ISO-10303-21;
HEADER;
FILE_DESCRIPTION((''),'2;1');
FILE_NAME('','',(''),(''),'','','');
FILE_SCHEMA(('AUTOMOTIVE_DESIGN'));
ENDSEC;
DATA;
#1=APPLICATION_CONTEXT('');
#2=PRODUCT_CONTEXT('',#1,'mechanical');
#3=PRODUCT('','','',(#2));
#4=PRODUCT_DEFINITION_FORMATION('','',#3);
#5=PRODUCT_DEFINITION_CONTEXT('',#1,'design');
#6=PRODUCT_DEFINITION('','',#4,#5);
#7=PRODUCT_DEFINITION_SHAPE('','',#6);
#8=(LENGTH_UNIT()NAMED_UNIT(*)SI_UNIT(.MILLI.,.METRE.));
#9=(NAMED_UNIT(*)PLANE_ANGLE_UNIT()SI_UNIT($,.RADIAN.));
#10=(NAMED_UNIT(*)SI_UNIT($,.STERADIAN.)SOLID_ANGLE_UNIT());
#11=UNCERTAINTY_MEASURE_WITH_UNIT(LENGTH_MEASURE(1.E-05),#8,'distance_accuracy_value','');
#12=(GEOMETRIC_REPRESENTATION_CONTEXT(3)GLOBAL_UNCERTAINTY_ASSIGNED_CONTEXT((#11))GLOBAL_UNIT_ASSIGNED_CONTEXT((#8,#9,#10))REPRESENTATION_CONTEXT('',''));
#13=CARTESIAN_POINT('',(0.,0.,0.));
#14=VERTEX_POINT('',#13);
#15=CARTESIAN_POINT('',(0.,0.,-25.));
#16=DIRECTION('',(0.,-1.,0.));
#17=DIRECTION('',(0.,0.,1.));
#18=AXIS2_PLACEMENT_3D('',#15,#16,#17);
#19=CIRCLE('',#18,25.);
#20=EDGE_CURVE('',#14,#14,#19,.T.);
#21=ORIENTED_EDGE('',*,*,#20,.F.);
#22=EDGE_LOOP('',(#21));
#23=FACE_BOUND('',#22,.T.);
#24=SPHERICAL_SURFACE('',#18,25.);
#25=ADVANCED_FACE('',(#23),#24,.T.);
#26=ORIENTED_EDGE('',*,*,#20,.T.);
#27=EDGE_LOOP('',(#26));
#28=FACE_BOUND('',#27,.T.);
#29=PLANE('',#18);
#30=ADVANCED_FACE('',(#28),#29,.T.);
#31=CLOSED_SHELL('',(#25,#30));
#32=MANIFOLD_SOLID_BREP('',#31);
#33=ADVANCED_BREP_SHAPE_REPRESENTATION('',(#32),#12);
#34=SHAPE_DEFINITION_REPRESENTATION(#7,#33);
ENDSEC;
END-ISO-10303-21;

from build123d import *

# Parameters (mm, degrees)
REVOLVE3_ANGLE = 180


with BuildPart() as part:
    # Sketch1 → Revolve3 (revolve)
    with BuildSketch(Plane(origin=(0, 0, 0), x_dir=(1, 0, 0), z_dir=(0, 1, 0))):
        with BuildLine():
            Line((0, 0), (0, 50))
            ThreePointArc((0, 50), (25, 25), (0, 0))
        make_face()
    revolve(axis=Axis((0, 0, 0), (0, 0, 1)), revolution_arc=REVOLVE3_ANGLE)


solid = part.part
